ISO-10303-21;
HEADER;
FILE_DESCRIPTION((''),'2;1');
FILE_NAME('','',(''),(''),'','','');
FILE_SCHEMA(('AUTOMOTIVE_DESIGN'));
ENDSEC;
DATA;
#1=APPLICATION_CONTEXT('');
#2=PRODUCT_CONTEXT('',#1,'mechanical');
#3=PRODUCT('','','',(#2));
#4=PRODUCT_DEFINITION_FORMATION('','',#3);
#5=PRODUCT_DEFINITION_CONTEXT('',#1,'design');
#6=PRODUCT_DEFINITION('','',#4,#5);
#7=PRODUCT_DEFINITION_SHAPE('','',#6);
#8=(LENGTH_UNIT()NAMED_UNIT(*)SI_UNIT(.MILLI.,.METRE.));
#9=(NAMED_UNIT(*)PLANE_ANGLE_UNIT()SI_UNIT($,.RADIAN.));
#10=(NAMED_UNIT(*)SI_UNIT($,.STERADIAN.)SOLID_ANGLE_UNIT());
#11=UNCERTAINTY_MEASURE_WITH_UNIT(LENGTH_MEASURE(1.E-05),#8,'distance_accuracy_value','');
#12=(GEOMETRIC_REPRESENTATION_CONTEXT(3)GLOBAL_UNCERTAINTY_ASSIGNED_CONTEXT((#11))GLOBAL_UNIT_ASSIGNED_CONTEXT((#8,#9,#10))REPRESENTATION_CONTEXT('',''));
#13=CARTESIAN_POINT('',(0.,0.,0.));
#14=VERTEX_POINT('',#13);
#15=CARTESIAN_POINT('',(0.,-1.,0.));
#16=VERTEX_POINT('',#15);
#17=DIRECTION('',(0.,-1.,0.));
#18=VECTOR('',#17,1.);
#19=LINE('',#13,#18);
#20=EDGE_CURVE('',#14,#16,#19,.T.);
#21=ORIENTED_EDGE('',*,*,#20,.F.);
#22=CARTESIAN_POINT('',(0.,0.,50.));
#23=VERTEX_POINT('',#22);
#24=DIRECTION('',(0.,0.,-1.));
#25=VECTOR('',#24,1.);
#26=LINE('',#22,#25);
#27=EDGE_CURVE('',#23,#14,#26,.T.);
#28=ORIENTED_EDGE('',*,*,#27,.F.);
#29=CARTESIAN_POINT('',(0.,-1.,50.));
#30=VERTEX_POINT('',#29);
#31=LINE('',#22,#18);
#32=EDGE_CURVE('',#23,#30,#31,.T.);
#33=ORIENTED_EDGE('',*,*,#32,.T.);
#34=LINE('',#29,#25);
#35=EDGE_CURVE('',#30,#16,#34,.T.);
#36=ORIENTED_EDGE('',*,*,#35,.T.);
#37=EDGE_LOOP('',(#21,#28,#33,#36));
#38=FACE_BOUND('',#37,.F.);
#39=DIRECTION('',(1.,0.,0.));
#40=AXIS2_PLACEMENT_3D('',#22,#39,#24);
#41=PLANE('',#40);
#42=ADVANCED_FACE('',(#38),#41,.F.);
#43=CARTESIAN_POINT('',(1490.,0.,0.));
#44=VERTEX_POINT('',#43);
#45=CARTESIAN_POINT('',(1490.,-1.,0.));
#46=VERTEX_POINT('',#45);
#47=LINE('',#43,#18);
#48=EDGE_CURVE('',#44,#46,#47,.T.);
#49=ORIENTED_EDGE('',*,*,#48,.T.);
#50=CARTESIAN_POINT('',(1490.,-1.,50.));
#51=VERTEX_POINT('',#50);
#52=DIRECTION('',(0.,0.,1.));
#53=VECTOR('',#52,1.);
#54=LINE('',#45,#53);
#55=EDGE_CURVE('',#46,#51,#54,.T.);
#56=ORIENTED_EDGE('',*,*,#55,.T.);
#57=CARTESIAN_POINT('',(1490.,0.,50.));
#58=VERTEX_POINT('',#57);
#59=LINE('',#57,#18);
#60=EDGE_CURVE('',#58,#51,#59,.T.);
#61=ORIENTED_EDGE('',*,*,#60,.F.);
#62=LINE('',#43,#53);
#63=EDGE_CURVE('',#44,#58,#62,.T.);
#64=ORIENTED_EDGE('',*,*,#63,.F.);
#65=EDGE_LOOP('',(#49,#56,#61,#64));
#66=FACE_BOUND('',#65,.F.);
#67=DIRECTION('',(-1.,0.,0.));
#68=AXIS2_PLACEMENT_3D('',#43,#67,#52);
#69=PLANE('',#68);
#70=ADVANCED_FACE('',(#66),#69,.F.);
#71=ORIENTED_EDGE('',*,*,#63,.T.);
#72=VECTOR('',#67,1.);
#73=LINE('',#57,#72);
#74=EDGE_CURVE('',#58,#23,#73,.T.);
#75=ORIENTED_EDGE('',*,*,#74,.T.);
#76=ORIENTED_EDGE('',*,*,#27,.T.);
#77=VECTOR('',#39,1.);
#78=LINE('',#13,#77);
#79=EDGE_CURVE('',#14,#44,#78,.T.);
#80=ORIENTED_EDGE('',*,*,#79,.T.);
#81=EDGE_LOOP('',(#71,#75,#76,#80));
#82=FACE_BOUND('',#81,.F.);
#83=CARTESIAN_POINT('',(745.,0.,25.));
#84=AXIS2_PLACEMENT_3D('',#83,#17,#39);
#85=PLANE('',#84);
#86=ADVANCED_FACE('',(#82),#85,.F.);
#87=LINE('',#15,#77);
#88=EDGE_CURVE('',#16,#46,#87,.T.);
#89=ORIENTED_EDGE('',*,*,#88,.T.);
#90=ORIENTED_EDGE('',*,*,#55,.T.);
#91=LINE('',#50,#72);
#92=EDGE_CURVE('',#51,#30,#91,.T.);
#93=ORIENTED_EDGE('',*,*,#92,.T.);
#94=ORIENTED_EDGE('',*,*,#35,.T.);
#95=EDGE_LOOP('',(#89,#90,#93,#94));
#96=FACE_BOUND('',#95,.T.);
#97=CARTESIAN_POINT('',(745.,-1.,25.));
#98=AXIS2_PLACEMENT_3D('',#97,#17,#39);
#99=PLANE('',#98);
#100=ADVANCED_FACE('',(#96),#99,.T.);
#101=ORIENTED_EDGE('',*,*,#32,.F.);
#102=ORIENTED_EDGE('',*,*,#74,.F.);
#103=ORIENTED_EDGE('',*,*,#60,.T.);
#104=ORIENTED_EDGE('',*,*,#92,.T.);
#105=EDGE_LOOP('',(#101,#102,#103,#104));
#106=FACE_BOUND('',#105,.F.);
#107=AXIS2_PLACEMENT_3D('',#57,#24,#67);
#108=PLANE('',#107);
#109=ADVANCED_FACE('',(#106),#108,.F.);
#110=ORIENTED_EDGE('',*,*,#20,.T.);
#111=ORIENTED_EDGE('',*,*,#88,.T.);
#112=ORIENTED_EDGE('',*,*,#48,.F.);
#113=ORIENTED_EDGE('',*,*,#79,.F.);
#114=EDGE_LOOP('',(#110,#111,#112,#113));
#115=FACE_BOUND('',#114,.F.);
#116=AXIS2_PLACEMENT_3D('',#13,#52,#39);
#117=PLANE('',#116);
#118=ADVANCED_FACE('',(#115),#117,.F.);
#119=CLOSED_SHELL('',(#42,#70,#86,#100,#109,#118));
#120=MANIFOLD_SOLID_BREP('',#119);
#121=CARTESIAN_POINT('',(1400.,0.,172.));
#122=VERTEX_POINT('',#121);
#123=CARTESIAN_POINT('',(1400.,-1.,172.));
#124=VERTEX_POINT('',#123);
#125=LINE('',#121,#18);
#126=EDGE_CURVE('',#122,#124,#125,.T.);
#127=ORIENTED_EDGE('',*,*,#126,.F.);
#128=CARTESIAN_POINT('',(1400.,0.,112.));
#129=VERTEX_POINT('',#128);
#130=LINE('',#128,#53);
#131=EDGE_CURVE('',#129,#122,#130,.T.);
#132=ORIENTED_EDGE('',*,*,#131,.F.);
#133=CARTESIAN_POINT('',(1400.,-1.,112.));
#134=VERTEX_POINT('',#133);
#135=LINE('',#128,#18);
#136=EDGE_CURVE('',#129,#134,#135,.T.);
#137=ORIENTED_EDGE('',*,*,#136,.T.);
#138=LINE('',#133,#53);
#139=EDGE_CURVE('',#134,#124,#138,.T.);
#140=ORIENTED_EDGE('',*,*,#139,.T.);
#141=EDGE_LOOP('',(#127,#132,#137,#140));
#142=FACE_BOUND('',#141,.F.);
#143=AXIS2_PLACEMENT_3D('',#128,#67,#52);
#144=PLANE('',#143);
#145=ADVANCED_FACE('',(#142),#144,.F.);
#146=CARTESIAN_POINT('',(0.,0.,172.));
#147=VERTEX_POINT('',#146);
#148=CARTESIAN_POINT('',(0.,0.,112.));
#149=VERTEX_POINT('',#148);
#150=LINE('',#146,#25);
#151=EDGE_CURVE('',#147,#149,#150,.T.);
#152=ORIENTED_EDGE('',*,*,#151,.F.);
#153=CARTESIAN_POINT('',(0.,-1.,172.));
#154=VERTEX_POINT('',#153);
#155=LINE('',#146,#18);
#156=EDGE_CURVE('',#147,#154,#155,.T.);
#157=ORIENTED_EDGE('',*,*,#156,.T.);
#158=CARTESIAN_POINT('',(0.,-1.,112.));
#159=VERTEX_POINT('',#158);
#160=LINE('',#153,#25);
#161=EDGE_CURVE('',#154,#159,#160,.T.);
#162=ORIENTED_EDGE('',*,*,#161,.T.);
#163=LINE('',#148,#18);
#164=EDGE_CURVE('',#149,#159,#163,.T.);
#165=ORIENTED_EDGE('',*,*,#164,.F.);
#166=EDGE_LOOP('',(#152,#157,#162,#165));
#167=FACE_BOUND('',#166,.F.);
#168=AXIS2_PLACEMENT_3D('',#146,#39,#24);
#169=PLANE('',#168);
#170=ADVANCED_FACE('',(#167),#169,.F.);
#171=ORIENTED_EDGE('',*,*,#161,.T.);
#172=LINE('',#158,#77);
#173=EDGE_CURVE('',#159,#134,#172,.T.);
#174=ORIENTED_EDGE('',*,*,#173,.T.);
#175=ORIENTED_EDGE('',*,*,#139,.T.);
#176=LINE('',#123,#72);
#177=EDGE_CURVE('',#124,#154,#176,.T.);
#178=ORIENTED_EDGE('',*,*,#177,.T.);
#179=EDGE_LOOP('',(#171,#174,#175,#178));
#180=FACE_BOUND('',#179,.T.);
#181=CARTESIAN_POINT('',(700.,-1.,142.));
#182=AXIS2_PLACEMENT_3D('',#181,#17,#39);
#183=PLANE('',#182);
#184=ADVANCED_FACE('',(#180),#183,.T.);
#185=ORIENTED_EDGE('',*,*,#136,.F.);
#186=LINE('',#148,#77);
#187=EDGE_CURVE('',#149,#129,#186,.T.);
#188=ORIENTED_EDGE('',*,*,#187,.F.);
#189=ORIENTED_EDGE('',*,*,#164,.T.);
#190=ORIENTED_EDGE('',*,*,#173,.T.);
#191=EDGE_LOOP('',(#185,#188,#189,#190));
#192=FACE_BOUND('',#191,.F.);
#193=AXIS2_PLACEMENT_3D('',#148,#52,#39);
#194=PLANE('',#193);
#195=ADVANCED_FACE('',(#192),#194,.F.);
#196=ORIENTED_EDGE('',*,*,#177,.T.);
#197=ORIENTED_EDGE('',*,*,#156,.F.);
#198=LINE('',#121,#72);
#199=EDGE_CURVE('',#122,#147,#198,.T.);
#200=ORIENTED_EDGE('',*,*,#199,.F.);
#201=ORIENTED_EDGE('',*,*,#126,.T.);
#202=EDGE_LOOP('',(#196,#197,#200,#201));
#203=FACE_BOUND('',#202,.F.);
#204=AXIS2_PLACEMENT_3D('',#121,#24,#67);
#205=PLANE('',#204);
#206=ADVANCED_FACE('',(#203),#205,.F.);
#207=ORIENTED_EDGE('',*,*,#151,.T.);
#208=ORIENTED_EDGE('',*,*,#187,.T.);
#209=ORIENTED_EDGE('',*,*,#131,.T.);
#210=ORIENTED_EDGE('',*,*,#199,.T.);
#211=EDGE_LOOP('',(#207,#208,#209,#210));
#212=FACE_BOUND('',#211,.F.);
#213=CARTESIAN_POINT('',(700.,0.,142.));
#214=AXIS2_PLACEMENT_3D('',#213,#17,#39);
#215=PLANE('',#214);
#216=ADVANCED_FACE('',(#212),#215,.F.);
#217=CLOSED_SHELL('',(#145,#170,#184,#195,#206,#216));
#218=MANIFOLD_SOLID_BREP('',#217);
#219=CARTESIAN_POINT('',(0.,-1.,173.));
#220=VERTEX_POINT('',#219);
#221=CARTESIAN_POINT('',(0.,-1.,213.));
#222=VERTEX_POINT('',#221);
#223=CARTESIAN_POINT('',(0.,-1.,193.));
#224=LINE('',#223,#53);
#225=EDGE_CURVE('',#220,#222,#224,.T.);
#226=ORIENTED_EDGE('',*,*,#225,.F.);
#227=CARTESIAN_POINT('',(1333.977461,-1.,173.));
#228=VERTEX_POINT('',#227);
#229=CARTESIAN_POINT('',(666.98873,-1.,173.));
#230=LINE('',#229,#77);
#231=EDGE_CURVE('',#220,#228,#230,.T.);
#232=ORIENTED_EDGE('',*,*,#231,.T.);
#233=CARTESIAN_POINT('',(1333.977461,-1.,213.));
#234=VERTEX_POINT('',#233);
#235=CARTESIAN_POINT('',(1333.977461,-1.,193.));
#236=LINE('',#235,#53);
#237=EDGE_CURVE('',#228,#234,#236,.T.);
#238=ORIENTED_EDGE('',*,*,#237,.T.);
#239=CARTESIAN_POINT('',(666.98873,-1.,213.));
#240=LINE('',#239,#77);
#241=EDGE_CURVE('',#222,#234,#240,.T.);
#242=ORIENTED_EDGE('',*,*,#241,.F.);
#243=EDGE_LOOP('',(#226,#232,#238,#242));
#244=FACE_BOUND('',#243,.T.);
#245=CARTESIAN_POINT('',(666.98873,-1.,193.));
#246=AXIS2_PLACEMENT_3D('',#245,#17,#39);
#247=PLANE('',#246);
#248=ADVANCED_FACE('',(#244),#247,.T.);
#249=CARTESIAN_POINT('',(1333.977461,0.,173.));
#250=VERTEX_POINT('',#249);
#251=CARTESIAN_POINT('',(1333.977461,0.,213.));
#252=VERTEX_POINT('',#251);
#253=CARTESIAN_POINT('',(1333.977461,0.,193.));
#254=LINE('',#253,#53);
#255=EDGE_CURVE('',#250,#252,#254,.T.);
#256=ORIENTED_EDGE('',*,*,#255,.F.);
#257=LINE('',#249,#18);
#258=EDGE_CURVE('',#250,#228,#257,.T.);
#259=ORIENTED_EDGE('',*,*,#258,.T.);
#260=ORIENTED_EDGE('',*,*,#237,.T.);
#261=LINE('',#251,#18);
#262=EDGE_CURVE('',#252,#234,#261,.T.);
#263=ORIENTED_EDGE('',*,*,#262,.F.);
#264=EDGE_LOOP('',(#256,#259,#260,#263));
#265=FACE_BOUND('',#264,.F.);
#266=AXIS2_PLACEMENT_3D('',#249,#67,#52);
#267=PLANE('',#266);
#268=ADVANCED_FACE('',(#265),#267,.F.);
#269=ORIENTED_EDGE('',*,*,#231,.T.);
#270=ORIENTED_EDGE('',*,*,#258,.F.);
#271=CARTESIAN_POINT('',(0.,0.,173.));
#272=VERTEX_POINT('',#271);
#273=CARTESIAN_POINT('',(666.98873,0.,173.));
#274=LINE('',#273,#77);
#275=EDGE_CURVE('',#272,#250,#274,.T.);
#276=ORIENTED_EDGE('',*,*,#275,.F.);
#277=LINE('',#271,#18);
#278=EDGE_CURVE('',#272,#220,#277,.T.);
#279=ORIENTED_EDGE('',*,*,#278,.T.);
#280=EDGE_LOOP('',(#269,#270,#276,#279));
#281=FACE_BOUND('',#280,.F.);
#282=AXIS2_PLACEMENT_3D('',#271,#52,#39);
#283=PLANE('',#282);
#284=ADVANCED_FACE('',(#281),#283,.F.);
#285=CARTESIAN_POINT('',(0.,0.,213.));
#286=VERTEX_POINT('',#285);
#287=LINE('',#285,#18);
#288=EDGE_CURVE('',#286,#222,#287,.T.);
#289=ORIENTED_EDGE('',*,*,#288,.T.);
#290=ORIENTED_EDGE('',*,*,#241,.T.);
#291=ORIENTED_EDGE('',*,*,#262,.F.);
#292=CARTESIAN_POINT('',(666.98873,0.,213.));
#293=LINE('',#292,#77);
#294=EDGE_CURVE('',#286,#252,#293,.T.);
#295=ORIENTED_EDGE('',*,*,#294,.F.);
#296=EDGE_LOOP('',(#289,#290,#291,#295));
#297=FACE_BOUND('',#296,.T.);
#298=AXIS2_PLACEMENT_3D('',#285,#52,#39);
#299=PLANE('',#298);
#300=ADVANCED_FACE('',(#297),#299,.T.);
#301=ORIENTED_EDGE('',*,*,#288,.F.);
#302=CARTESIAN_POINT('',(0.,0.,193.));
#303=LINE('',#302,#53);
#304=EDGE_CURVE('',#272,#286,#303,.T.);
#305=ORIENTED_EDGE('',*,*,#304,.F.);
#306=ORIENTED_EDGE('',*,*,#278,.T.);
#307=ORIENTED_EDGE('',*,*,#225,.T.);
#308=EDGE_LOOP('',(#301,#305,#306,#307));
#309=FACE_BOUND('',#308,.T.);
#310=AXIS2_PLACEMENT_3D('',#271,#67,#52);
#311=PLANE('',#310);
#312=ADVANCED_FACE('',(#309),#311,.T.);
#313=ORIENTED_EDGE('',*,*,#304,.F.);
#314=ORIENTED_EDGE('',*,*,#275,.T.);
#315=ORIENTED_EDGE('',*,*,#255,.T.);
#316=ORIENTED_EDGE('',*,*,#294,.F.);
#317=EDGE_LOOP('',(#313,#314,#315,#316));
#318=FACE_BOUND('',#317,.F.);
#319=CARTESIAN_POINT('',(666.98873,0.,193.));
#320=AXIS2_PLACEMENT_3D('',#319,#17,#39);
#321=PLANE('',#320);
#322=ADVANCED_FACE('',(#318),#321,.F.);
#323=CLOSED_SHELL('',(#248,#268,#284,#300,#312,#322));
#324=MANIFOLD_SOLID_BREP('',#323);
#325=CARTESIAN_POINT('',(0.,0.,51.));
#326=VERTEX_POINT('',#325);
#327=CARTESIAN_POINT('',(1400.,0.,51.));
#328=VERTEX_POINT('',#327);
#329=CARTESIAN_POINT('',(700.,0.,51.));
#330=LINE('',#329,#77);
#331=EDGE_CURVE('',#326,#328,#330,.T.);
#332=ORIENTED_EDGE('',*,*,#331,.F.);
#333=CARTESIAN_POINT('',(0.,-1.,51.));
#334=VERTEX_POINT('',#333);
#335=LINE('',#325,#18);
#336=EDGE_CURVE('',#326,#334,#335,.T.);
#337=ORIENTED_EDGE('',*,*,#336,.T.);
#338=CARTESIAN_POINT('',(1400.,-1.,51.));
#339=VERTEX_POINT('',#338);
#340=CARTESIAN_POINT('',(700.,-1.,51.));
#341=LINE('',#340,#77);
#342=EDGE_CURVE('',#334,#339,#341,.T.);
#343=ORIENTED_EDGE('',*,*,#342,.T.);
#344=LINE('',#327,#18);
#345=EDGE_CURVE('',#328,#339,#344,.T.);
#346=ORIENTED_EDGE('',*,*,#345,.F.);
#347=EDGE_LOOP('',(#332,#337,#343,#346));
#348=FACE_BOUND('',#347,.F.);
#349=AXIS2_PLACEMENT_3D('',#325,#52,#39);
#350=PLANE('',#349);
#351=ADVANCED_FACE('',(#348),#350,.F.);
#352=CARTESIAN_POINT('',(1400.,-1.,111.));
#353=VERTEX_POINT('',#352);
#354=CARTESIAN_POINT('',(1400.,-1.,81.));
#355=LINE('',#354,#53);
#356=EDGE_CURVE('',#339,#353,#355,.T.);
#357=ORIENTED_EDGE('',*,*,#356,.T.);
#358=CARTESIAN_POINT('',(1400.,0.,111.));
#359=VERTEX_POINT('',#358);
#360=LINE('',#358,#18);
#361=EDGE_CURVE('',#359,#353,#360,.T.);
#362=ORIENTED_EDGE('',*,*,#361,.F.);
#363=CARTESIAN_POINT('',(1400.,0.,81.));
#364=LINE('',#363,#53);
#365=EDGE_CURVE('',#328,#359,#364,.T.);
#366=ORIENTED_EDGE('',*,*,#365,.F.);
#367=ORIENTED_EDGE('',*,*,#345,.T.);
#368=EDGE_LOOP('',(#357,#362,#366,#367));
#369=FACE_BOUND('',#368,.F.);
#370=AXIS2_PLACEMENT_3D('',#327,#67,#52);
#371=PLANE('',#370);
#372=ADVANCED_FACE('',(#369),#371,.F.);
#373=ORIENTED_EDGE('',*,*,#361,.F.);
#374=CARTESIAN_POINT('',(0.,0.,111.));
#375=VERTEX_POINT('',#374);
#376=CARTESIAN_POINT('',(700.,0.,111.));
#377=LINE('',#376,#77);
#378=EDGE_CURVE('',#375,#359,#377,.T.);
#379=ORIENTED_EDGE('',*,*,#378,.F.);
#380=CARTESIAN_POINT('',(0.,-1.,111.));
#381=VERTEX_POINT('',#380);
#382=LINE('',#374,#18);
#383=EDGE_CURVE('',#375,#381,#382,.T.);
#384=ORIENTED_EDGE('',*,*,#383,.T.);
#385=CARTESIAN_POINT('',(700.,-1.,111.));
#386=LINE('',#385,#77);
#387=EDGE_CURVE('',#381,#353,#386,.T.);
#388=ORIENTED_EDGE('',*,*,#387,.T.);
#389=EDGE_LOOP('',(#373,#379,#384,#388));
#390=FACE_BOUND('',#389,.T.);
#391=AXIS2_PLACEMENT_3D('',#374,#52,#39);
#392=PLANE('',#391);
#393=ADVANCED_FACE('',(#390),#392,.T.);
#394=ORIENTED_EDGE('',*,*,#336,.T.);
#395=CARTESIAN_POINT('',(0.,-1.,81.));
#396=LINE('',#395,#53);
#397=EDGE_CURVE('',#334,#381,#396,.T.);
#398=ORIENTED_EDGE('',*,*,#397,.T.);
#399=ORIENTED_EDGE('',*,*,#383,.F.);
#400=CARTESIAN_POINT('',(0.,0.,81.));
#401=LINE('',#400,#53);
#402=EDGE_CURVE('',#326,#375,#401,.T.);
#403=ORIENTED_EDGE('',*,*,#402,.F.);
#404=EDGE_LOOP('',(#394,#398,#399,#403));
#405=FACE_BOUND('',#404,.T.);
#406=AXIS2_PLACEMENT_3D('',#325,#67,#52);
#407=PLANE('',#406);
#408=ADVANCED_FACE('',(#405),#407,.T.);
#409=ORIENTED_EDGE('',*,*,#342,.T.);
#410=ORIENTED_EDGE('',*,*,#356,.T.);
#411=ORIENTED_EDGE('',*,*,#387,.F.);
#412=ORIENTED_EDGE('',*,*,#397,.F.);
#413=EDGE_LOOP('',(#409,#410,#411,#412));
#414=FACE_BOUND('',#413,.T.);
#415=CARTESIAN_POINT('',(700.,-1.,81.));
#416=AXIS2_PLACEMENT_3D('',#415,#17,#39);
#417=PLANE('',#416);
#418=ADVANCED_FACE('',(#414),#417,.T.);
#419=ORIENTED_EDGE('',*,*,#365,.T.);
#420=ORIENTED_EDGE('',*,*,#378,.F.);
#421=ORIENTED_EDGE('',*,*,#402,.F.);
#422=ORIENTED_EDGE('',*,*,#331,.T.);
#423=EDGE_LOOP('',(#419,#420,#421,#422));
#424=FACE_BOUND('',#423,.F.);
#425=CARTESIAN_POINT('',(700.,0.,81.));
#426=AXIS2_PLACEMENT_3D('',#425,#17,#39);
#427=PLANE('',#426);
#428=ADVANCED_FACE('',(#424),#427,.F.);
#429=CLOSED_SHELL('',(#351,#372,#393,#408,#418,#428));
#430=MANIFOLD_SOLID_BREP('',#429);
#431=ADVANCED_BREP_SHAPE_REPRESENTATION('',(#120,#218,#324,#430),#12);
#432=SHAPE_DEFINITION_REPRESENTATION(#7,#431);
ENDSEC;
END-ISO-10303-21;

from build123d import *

# Parameters (mm, degrees)
F0_W     = 1333.977461
F0_H     = 40
F0_W_2   = 1400
F0_H_2   = 60
F1_DEPTH = 1


with BuildPart() as f1:
    # F0 (on Front) → F1 (new body)
    with BuildSketch(Plane.XZ):
        with Locations((666.98873, 193)):
            Rectangle(F0_W, F0_H)
        Polygon((0, 172), (0, 112), (1400, 112), (1400, 172), (1333.977461, 172), align=None)
        with Locations((700, 81)):
            Rectangle(F0_W_2, F0_H_2)
        Polygon((0, 50), (0, 0), (1490, 0), (1490, 50), (1400, 50), align=None)
    extrude(amount=F1_DEPTH)


solid = f1.part
